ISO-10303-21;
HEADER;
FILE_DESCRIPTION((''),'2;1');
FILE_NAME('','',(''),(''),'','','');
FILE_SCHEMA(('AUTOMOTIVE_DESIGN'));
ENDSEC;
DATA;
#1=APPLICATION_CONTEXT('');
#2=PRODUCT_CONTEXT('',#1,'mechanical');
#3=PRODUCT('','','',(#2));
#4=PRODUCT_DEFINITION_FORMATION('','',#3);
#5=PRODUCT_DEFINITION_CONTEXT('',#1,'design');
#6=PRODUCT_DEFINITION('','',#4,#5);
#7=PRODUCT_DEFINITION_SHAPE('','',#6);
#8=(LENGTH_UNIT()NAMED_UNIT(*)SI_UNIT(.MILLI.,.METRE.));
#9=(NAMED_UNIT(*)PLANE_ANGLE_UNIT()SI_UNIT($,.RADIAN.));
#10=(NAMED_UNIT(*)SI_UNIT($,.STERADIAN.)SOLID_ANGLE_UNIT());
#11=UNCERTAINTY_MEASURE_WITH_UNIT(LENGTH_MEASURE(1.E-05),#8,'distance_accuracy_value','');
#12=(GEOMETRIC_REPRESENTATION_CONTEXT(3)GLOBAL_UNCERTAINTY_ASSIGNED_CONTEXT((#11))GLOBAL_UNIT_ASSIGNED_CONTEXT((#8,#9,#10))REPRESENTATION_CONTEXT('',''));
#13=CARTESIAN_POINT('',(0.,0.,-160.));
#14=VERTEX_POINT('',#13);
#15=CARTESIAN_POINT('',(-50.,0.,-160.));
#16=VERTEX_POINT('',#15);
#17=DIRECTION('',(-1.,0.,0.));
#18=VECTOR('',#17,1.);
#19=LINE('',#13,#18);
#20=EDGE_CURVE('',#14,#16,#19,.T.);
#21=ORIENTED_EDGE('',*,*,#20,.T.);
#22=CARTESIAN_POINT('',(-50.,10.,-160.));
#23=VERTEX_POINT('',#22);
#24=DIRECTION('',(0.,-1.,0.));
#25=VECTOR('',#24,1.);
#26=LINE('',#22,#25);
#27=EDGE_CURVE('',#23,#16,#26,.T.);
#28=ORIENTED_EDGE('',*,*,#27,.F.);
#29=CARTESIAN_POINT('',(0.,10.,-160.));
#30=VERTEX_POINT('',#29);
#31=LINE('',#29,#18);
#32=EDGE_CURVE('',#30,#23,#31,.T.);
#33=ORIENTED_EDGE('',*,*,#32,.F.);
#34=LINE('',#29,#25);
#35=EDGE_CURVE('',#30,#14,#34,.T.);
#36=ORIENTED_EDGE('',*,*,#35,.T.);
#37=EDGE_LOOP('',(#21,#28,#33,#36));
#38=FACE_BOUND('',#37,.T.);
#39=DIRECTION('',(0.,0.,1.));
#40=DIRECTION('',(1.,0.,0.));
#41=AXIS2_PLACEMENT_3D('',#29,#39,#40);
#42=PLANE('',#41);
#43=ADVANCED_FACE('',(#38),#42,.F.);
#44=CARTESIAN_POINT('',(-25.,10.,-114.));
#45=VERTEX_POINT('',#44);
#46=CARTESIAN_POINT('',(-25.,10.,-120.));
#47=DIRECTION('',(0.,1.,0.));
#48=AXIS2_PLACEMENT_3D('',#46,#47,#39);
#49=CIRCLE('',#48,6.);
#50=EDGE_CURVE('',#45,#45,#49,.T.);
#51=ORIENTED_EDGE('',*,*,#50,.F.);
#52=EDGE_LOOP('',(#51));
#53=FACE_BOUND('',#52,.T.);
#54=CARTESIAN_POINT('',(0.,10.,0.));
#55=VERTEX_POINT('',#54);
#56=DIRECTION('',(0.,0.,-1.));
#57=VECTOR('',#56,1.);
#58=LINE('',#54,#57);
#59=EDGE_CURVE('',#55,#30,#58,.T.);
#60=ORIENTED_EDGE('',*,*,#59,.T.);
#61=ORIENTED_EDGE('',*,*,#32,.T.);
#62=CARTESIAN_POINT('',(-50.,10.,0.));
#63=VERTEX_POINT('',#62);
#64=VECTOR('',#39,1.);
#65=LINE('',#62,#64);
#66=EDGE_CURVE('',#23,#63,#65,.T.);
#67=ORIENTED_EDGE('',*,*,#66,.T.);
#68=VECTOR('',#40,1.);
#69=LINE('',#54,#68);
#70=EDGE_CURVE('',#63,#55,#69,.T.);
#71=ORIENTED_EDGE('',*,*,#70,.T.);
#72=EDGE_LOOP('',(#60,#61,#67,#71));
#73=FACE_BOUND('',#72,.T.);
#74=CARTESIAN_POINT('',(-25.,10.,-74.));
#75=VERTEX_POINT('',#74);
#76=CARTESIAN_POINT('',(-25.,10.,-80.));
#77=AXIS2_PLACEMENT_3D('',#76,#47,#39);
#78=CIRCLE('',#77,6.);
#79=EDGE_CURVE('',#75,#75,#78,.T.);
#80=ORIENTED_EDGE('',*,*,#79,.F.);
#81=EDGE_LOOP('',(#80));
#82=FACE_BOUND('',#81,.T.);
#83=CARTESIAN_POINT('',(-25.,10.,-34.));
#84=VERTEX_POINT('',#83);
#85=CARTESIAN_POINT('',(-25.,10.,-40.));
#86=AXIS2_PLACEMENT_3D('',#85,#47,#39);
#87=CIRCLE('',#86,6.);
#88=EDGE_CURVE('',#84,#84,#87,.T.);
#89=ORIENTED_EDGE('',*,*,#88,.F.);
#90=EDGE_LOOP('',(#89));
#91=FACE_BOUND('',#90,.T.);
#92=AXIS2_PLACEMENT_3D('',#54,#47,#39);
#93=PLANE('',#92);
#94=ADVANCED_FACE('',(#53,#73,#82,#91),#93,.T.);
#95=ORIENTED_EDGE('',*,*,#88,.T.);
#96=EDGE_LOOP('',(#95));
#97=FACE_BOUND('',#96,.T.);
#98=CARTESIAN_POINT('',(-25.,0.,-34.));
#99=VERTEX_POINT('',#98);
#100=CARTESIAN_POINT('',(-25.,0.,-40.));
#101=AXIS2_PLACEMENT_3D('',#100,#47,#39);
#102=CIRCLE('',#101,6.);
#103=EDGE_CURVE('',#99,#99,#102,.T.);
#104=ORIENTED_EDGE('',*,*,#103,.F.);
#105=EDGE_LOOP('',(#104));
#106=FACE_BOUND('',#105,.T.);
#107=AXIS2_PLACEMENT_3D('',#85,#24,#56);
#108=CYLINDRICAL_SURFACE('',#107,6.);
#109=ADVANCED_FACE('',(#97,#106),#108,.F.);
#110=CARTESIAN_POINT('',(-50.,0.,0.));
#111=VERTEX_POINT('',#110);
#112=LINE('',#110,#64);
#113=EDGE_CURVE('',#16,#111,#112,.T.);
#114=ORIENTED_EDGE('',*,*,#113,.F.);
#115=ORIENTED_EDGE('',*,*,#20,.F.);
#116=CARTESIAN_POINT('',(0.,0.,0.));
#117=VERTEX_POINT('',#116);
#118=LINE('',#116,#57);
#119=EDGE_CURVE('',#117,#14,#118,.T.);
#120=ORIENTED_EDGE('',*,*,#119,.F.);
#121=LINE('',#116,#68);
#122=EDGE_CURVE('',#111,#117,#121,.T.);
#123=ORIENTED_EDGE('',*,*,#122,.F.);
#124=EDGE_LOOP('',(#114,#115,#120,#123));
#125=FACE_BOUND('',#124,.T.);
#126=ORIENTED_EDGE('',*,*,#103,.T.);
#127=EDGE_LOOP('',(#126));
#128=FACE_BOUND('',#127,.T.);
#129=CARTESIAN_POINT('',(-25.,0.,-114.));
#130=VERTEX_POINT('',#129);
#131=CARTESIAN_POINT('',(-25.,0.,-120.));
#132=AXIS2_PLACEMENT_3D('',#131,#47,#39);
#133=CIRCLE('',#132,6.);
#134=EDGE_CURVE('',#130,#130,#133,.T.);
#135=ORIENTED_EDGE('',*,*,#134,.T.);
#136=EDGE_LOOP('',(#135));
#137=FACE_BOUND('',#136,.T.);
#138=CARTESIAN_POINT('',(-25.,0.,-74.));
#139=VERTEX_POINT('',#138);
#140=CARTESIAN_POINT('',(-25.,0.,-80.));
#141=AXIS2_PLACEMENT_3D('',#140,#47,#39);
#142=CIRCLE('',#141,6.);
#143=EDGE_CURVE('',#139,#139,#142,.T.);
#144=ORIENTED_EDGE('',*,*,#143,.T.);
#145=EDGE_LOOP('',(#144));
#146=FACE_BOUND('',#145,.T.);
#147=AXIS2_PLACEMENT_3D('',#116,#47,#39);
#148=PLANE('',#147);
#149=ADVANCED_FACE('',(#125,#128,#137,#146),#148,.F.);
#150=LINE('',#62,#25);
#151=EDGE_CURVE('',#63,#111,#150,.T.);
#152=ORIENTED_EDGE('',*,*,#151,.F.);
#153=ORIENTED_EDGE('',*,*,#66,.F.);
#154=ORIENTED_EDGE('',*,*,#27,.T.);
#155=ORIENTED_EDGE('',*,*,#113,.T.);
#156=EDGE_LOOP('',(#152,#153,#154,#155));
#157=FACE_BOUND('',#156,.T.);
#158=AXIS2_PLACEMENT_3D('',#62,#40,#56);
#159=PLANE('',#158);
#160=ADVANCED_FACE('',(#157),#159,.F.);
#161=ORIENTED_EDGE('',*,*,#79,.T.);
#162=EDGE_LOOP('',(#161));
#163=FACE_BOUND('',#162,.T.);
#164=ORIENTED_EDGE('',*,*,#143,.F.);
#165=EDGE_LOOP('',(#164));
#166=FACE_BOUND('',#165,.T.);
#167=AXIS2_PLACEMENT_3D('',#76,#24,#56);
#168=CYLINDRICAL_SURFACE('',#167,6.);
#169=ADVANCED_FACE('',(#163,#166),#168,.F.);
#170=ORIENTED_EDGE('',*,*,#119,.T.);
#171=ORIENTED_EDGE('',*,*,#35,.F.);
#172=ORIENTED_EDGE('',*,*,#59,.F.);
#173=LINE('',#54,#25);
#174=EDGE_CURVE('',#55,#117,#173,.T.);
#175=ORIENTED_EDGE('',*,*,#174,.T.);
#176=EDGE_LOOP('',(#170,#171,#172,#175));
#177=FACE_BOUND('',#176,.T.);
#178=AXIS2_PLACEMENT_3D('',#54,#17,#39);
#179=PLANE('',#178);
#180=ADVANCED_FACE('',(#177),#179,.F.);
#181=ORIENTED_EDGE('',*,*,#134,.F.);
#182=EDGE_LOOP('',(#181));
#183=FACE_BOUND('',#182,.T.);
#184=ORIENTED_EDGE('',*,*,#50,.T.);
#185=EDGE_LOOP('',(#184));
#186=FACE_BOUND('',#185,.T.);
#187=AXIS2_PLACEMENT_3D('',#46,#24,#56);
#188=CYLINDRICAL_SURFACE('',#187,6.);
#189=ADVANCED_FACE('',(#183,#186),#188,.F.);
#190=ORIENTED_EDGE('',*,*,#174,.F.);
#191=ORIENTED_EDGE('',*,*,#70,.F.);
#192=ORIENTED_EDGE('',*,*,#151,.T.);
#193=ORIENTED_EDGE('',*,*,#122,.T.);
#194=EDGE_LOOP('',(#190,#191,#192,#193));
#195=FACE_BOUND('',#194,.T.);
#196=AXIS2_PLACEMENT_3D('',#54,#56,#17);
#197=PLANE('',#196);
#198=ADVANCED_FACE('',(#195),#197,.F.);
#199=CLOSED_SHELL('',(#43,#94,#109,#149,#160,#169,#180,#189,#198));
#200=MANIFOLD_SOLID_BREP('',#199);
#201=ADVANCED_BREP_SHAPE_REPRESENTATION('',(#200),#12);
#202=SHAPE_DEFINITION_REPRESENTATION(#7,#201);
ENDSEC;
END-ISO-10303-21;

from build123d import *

# Parameters (mm, degrees)
SKETCH_1_W      = 50
SKETCH_1_H      = 160
SKETCH_1_R      = 6
EXTRUDE_1_DEPTH = 10


with BuildPart() as part:
    # 草图1 → 凸台-拉伸1 (new body)
    with BuildSketch(Plane(origin=(0, 0, 0), x_dir=(1, 0, 0), z_dir=(0, 1, 0))):
        with Locations((-25, 80)):
            Rectangle(SKETCH_1_W, SKETCH_1_H)
        with Locations(Location((-25, 120, 0), (0, 0, 270))):
            Circle(SKETCH_1_R, mode=Mode.SUBTRACT)
        with Locations(Location((-25, 80, 0), (0, 0, 270))):
            Circle(SKETCH_1_R, mode=Mode.SUBTRACT)
        with Locations(Location((-25, 40, 0), (0, 0, 270))):
            Circle(SKETCH_1_R, mode=Mode.SUBTRACT)
    extrude(amount=EXTRUDE_1_DEPTH)


solid = part.part
